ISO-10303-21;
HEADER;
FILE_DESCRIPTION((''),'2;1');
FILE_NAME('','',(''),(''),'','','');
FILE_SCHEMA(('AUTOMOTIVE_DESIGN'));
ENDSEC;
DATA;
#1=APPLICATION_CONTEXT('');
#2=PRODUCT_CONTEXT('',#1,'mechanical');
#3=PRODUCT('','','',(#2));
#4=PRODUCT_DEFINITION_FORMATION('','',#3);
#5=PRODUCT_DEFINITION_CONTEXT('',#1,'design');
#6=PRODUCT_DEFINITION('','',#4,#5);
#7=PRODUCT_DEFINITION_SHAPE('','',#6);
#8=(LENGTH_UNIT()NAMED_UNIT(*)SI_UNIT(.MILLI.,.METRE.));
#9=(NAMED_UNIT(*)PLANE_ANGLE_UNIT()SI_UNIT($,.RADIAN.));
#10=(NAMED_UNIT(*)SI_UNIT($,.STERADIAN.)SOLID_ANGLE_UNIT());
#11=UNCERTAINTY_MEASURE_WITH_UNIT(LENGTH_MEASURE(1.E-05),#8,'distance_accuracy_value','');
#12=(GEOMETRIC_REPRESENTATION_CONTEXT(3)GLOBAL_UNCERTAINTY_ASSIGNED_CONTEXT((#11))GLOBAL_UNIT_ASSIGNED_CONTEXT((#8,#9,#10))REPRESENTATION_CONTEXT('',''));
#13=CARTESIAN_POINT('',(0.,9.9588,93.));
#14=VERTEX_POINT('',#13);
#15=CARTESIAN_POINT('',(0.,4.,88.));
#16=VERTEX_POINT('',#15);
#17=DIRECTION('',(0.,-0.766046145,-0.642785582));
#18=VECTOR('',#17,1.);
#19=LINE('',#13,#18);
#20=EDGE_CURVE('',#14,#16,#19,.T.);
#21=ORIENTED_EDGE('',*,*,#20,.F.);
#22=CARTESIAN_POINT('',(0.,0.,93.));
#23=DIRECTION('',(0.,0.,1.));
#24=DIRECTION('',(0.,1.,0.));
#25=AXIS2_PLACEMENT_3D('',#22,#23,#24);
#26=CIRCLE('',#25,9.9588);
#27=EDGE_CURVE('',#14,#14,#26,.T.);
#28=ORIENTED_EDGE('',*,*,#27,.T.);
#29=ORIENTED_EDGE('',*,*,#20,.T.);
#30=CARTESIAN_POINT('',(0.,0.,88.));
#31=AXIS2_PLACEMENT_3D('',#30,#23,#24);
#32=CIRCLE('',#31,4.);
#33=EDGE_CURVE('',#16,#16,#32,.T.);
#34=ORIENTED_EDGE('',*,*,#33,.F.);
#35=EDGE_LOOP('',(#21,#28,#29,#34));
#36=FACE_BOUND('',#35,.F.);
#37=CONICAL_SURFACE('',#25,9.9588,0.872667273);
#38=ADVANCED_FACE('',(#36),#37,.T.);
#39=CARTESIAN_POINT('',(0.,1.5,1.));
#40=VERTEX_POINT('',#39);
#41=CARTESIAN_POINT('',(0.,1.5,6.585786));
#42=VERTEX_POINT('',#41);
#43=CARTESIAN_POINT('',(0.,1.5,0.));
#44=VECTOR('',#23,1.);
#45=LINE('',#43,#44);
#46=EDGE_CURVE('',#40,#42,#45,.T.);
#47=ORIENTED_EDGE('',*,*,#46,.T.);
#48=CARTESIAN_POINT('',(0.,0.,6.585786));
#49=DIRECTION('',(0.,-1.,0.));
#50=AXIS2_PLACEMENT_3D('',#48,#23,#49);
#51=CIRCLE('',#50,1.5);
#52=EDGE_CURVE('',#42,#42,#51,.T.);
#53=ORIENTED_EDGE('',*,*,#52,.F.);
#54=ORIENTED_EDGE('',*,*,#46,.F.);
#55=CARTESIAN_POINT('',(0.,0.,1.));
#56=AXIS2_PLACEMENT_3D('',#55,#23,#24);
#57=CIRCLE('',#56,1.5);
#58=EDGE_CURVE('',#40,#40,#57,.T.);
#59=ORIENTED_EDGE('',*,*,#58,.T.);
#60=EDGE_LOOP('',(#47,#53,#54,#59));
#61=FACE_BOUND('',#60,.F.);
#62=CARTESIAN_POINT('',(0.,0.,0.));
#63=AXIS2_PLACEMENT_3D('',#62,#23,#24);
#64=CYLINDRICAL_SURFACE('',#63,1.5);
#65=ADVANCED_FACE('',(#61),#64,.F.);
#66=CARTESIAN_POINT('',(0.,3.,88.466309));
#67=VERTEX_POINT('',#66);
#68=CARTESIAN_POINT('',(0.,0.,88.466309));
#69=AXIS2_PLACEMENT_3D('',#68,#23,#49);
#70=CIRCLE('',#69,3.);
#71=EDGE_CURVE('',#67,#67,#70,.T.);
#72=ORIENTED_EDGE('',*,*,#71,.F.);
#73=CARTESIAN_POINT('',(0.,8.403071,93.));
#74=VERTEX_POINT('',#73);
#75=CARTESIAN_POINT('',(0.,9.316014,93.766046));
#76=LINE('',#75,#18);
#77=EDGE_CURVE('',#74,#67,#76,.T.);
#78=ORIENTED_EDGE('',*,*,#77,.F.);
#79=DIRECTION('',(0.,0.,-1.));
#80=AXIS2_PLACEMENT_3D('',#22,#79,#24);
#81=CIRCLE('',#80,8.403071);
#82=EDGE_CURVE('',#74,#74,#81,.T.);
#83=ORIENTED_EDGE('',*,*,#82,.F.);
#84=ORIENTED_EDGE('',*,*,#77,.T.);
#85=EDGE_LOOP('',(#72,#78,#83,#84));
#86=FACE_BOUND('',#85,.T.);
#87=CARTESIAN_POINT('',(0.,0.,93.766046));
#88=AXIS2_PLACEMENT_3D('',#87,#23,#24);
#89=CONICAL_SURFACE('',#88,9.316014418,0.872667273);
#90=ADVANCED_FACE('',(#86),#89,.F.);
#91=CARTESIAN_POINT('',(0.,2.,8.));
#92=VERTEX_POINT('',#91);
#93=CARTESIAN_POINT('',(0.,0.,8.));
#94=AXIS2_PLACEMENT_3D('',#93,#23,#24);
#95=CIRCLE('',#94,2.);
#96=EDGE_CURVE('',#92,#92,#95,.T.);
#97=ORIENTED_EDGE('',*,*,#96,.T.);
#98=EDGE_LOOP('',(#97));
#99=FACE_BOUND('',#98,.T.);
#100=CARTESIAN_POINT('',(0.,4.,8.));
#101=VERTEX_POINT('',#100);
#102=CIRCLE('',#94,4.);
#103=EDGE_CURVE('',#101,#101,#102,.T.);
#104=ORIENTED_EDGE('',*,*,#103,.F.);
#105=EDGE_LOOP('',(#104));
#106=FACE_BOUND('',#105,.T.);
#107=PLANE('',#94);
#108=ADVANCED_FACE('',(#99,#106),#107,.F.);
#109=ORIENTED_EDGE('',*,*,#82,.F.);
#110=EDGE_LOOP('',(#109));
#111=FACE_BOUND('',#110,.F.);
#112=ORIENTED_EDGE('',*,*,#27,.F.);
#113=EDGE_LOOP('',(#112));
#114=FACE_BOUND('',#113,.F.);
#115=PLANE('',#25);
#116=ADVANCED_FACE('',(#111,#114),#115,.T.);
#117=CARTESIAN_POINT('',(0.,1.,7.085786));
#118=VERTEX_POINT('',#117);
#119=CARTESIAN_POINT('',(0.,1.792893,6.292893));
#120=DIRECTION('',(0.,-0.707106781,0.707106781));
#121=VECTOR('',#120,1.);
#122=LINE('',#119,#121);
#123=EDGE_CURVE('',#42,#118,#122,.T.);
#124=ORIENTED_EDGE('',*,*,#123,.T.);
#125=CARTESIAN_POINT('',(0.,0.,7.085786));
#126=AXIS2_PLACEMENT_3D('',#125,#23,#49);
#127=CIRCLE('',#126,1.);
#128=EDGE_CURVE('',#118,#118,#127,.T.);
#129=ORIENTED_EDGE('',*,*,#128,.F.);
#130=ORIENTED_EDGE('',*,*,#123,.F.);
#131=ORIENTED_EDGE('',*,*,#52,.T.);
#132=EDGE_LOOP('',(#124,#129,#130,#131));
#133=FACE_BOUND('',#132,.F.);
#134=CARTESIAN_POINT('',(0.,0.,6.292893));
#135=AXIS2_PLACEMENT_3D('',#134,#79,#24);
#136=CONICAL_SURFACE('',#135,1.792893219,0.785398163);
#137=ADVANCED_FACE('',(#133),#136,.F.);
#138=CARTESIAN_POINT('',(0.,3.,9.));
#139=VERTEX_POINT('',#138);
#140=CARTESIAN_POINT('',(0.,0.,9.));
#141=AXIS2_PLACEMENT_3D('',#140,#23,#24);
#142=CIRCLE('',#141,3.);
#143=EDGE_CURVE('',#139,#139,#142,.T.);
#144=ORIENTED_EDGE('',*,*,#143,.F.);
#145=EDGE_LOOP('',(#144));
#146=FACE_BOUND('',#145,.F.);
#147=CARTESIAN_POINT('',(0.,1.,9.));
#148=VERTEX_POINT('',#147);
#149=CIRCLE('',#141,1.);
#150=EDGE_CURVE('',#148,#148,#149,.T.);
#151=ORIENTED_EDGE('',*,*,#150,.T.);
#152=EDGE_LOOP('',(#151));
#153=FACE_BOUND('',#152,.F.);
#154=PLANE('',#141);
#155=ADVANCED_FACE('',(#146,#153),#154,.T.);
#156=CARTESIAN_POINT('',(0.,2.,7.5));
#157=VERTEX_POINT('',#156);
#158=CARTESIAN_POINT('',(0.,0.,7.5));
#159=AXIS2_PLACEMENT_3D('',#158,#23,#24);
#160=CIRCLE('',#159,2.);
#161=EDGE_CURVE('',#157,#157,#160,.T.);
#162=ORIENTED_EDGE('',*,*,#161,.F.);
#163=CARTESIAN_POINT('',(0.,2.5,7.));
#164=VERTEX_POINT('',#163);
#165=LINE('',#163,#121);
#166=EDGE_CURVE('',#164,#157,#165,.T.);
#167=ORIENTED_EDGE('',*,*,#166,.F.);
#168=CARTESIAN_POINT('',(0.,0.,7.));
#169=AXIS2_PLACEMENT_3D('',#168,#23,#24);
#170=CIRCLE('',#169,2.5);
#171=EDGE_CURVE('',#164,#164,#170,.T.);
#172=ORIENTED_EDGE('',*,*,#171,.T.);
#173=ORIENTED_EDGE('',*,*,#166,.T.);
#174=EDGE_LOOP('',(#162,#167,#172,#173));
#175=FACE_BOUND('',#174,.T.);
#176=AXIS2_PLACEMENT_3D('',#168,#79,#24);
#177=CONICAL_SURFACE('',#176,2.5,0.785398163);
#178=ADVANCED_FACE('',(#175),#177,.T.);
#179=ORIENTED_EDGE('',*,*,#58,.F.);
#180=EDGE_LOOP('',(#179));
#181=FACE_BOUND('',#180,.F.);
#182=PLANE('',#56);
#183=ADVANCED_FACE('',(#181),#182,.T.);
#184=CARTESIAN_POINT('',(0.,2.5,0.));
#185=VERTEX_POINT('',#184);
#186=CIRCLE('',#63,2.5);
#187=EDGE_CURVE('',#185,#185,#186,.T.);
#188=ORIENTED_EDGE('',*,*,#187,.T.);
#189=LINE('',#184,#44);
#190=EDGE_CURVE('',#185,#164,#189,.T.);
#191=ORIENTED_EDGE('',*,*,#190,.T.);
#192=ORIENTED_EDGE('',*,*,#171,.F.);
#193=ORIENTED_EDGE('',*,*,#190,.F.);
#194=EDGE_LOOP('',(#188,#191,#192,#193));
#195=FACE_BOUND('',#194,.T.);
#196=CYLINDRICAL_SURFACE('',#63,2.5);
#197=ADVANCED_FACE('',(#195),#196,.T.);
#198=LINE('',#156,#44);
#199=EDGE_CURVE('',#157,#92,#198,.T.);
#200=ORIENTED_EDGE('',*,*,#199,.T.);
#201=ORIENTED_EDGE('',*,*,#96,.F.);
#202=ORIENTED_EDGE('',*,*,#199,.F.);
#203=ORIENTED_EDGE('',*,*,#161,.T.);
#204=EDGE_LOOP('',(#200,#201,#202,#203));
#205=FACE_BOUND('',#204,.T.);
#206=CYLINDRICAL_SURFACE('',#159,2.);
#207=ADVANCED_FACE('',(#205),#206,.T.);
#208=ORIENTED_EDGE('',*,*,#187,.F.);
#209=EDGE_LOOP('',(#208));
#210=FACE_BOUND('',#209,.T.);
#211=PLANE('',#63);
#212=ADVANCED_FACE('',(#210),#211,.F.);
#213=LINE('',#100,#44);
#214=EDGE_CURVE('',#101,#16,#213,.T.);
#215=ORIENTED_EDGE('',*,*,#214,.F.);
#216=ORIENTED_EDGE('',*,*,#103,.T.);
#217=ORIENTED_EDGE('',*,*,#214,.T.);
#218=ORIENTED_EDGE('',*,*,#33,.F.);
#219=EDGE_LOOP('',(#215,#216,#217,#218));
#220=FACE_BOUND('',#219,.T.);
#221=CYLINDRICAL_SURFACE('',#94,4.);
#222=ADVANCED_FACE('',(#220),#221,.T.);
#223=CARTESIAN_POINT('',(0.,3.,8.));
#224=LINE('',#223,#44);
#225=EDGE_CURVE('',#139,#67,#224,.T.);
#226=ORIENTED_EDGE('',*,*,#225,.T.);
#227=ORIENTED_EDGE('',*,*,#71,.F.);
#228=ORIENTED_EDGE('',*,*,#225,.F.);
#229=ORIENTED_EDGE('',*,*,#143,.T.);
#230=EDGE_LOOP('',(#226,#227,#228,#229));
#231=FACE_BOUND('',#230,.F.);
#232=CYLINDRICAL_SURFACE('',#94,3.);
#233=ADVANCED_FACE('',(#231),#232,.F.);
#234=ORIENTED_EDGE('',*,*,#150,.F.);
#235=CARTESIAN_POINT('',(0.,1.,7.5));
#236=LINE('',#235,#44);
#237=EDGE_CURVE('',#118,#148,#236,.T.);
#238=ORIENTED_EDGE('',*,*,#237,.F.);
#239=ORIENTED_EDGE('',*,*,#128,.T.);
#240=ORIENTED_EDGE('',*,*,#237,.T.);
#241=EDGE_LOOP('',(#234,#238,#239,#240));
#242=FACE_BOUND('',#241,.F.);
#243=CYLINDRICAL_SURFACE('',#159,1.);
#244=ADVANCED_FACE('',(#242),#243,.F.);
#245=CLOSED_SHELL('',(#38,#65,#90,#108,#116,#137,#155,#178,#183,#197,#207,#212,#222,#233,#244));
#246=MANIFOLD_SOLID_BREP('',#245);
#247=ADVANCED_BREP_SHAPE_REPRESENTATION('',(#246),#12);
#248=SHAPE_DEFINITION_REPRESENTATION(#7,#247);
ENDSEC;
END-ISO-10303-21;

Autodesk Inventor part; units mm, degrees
ref_plane "YZ Plane" through (0, 0, 0) normal (1, 0, 0) x (0, 1, 0)
ref_plane "XZ Plane" through (0, 0, 0) normal (0, 1, 0) x (-1, 0, 0)
ref_plane "XY Plane" through (0, 0, 0) normal (0, 0, 1) x (1, 0, 0)
sketch "Skizze1" plane through (0, 0, 0) normal (1, 0, 0) x (0, 1, 0)
  line L0 (0, 0) -> (2.5, 0)
  line L1 (0, 0) -> (2.5, 0) construction
  line L2 (2.5, 0) -> (2.5, 7)
  line L3 (2.5, 7) -> (2, 7.5)
  line L4 (2, 7.5) -> (2, 8)
  line L5 (2, 8) -> (4, 8)
  line L6 (4, 8) -> (4, 88)
  line L7 (0, 93) -> (9.9588, 93)
  line L8 (9.9588, 93) -> (4, 88)
  line L9 (0, 0) -> (0, 93)
  line L10 (0, -18.6) -> (0, 111.6) projected
  dimension "d0" = 2.5
  dimension "d1" = 0
  dimension "d2" = 7
  dimension "d4" = 0.5
  dimension "d5" = 0.5
  dimension "d6" = 2
  dimension "d7" = 4
  dimension "d23" = 40
  dimension "d24" = 5
  dimension "d25" = 85
revolve "Umdrehung1" add sketch "Skizze1" angle 360 about axis through (0, 0, -10) along (0, 0, 1)
thread "Gewinde1" size "M5x0.8" class "6g" standard "ANSI Metric M Profile" full length
shell "Wandung4" thickness 1 removed faces 1 at (-0.1358, 2.201, 93)
properties part number "Fuss1,0"
